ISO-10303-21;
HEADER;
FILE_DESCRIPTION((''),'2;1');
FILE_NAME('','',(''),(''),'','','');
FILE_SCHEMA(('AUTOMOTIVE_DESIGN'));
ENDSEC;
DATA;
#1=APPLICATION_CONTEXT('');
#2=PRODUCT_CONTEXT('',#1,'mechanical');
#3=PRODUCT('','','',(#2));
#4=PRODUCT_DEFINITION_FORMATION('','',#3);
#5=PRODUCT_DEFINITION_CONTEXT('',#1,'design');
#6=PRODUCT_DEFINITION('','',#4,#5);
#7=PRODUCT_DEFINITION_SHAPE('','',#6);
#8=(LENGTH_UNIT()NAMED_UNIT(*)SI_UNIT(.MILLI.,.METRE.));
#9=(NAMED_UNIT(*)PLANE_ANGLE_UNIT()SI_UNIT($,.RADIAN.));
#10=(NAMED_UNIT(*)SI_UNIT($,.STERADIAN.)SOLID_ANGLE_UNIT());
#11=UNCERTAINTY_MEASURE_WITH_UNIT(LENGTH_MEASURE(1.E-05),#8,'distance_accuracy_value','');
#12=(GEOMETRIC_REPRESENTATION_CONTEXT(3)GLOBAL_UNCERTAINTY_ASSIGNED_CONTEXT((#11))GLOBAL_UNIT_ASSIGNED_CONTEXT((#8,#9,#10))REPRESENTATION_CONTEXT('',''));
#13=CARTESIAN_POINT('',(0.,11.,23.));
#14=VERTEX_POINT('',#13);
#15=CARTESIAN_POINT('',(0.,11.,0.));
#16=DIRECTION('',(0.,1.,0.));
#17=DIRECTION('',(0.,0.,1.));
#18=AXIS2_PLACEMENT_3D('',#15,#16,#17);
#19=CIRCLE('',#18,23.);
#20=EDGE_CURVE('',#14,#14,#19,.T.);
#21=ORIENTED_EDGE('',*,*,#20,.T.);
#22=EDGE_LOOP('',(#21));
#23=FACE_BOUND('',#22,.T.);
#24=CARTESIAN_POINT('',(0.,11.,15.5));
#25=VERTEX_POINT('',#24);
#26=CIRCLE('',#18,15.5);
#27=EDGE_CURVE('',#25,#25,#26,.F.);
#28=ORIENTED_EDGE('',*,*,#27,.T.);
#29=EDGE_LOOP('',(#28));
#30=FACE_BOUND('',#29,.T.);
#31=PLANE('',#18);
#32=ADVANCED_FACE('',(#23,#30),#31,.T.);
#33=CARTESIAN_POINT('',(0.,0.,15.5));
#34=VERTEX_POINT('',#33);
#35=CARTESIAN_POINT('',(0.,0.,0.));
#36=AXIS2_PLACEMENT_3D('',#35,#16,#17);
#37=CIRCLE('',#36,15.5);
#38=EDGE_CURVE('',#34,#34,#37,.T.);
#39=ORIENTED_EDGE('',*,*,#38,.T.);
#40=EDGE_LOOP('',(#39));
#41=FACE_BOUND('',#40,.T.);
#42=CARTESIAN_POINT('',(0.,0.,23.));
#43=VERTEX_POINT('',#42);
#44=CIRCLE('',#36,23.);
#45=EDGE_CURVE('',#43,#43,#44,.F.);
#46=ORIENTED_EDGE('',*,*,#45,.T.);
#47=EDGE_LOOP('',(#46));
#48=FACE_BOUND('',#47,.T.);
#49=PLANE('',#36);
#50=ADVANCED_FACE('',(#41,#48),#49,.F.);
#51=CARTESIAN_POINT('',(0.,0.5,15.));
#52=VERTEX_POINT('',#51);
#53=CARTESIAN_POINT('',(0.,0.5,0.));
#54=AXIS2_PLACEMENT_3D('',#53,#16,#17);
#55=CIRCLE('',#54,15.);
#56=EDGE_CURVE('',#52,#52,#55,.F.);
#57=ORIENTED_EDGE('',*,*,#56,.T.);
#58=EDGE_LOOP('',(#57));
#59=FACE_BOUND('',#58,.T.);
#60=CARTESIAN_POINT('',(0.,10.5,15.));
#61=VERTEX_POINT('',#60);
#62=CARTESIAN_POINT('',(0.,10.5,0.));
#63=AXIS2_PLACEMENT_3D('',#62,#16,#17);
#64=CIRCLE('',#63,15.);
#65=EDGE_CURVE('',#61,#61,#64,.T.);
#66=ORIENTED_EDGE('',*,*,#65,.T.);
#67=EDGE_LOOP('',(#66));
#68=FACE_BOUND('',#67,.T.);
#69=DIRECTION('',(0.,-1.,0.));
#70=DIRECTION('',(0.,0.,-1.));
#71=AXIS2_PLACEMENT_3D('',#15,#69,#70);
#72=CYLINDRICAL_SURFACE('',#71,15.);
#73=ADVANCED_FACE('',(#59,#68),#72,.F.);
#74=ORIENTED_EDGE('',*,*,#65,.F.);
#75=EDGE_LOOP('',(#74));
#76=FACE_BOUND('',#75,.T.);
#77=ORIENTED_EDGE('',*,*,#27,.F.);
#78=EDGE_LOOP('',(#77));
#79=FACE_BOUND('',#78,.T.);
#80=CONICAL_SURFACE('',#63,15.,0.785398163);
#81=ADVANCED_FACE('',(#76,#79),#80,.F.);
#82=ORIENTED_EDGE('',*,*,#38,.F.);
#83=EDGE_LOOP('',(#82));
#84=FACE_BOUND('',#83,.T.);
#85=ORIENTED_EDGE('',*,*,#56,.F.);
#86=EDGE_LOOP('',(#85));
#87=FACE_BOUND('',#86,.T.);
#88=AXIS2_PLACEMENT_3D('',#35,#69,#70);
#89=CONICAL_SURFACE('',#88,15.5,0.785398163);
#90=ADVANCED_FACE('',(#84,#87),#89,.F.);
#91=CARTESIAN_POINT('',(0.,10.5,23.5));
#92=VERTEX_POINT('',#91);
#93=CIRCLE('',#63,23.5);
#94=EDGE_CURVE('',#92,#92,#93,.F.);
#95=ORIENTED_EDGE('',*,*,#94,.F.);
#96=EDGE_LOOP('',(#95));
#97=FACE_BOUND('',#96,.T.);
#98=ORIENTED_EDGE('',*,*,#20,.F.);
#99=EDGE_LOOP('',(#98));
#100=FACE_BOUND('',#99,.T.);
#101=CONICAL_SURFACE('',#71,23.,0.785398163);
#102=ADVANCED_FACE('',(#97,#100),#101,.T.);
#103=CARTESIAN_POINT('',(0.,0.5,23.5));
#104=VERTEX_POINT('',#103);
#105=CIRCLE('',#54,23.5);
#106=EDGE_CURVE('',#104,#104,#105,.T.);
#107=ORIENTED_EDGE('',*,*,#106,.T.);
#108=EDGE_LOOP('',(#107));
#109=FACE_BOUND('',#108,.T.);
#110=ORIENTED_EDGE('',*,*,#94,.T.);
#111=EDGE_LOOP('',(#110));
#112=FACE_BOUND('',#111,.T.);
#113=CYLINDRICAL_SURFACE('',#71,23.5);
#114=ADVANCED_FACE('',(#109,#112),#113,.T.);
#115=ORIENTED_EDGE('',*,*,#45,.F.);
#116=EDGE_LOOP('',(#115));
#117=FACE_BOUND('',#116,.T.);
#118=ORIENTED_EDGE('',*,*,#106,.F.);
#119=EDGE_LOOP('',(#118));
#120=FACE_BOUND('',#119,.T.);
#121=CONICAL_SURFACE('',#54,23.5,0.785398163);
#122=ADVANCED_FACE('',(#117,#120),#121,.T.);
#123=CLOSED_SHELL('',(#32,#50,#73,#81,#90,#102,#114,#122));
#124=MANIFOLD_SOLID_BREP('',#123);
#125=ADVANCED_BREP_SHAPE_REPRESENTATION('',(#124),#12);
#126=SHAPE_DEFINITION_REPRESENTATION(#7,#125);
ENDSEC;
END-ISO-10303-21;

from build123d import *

# Parameters (mm, degrees)
SKETCH_1_R      = 23.5
SKETCH_1_R_2    = 15
EXTRUDE_1_DEPTH = 11
CHAMFER_1_SIZE  = 0.5


with BuildPart() as part:
    # 草图1 → 凸台-拉伸1 (new body)
    with BuildSketch(Plane(origin=(0, 0, 0), x_dir=(1, 0, 0), z_dir=(0, 1, 0))):
        Circle(SKETCH_1_R)
        Circle(SKETCH_1_R_2, mode=Mode.SUBTRACT)
    extrude(amount=EXTRUDE_1_DEPTH)

    # 倒角1
    chamfer_1_edges = [part.edges().sort_by_distance(p)[0] for p in [
        (-23.5, 0, 0),
        (-23.5, 11, 0),
        (-15, 0, 0),
        (-15, 11, 0),
    ]]
    chamfer(chamfer_1_edges, length=CHAMFER_1_SIZE)


solid = part.part
